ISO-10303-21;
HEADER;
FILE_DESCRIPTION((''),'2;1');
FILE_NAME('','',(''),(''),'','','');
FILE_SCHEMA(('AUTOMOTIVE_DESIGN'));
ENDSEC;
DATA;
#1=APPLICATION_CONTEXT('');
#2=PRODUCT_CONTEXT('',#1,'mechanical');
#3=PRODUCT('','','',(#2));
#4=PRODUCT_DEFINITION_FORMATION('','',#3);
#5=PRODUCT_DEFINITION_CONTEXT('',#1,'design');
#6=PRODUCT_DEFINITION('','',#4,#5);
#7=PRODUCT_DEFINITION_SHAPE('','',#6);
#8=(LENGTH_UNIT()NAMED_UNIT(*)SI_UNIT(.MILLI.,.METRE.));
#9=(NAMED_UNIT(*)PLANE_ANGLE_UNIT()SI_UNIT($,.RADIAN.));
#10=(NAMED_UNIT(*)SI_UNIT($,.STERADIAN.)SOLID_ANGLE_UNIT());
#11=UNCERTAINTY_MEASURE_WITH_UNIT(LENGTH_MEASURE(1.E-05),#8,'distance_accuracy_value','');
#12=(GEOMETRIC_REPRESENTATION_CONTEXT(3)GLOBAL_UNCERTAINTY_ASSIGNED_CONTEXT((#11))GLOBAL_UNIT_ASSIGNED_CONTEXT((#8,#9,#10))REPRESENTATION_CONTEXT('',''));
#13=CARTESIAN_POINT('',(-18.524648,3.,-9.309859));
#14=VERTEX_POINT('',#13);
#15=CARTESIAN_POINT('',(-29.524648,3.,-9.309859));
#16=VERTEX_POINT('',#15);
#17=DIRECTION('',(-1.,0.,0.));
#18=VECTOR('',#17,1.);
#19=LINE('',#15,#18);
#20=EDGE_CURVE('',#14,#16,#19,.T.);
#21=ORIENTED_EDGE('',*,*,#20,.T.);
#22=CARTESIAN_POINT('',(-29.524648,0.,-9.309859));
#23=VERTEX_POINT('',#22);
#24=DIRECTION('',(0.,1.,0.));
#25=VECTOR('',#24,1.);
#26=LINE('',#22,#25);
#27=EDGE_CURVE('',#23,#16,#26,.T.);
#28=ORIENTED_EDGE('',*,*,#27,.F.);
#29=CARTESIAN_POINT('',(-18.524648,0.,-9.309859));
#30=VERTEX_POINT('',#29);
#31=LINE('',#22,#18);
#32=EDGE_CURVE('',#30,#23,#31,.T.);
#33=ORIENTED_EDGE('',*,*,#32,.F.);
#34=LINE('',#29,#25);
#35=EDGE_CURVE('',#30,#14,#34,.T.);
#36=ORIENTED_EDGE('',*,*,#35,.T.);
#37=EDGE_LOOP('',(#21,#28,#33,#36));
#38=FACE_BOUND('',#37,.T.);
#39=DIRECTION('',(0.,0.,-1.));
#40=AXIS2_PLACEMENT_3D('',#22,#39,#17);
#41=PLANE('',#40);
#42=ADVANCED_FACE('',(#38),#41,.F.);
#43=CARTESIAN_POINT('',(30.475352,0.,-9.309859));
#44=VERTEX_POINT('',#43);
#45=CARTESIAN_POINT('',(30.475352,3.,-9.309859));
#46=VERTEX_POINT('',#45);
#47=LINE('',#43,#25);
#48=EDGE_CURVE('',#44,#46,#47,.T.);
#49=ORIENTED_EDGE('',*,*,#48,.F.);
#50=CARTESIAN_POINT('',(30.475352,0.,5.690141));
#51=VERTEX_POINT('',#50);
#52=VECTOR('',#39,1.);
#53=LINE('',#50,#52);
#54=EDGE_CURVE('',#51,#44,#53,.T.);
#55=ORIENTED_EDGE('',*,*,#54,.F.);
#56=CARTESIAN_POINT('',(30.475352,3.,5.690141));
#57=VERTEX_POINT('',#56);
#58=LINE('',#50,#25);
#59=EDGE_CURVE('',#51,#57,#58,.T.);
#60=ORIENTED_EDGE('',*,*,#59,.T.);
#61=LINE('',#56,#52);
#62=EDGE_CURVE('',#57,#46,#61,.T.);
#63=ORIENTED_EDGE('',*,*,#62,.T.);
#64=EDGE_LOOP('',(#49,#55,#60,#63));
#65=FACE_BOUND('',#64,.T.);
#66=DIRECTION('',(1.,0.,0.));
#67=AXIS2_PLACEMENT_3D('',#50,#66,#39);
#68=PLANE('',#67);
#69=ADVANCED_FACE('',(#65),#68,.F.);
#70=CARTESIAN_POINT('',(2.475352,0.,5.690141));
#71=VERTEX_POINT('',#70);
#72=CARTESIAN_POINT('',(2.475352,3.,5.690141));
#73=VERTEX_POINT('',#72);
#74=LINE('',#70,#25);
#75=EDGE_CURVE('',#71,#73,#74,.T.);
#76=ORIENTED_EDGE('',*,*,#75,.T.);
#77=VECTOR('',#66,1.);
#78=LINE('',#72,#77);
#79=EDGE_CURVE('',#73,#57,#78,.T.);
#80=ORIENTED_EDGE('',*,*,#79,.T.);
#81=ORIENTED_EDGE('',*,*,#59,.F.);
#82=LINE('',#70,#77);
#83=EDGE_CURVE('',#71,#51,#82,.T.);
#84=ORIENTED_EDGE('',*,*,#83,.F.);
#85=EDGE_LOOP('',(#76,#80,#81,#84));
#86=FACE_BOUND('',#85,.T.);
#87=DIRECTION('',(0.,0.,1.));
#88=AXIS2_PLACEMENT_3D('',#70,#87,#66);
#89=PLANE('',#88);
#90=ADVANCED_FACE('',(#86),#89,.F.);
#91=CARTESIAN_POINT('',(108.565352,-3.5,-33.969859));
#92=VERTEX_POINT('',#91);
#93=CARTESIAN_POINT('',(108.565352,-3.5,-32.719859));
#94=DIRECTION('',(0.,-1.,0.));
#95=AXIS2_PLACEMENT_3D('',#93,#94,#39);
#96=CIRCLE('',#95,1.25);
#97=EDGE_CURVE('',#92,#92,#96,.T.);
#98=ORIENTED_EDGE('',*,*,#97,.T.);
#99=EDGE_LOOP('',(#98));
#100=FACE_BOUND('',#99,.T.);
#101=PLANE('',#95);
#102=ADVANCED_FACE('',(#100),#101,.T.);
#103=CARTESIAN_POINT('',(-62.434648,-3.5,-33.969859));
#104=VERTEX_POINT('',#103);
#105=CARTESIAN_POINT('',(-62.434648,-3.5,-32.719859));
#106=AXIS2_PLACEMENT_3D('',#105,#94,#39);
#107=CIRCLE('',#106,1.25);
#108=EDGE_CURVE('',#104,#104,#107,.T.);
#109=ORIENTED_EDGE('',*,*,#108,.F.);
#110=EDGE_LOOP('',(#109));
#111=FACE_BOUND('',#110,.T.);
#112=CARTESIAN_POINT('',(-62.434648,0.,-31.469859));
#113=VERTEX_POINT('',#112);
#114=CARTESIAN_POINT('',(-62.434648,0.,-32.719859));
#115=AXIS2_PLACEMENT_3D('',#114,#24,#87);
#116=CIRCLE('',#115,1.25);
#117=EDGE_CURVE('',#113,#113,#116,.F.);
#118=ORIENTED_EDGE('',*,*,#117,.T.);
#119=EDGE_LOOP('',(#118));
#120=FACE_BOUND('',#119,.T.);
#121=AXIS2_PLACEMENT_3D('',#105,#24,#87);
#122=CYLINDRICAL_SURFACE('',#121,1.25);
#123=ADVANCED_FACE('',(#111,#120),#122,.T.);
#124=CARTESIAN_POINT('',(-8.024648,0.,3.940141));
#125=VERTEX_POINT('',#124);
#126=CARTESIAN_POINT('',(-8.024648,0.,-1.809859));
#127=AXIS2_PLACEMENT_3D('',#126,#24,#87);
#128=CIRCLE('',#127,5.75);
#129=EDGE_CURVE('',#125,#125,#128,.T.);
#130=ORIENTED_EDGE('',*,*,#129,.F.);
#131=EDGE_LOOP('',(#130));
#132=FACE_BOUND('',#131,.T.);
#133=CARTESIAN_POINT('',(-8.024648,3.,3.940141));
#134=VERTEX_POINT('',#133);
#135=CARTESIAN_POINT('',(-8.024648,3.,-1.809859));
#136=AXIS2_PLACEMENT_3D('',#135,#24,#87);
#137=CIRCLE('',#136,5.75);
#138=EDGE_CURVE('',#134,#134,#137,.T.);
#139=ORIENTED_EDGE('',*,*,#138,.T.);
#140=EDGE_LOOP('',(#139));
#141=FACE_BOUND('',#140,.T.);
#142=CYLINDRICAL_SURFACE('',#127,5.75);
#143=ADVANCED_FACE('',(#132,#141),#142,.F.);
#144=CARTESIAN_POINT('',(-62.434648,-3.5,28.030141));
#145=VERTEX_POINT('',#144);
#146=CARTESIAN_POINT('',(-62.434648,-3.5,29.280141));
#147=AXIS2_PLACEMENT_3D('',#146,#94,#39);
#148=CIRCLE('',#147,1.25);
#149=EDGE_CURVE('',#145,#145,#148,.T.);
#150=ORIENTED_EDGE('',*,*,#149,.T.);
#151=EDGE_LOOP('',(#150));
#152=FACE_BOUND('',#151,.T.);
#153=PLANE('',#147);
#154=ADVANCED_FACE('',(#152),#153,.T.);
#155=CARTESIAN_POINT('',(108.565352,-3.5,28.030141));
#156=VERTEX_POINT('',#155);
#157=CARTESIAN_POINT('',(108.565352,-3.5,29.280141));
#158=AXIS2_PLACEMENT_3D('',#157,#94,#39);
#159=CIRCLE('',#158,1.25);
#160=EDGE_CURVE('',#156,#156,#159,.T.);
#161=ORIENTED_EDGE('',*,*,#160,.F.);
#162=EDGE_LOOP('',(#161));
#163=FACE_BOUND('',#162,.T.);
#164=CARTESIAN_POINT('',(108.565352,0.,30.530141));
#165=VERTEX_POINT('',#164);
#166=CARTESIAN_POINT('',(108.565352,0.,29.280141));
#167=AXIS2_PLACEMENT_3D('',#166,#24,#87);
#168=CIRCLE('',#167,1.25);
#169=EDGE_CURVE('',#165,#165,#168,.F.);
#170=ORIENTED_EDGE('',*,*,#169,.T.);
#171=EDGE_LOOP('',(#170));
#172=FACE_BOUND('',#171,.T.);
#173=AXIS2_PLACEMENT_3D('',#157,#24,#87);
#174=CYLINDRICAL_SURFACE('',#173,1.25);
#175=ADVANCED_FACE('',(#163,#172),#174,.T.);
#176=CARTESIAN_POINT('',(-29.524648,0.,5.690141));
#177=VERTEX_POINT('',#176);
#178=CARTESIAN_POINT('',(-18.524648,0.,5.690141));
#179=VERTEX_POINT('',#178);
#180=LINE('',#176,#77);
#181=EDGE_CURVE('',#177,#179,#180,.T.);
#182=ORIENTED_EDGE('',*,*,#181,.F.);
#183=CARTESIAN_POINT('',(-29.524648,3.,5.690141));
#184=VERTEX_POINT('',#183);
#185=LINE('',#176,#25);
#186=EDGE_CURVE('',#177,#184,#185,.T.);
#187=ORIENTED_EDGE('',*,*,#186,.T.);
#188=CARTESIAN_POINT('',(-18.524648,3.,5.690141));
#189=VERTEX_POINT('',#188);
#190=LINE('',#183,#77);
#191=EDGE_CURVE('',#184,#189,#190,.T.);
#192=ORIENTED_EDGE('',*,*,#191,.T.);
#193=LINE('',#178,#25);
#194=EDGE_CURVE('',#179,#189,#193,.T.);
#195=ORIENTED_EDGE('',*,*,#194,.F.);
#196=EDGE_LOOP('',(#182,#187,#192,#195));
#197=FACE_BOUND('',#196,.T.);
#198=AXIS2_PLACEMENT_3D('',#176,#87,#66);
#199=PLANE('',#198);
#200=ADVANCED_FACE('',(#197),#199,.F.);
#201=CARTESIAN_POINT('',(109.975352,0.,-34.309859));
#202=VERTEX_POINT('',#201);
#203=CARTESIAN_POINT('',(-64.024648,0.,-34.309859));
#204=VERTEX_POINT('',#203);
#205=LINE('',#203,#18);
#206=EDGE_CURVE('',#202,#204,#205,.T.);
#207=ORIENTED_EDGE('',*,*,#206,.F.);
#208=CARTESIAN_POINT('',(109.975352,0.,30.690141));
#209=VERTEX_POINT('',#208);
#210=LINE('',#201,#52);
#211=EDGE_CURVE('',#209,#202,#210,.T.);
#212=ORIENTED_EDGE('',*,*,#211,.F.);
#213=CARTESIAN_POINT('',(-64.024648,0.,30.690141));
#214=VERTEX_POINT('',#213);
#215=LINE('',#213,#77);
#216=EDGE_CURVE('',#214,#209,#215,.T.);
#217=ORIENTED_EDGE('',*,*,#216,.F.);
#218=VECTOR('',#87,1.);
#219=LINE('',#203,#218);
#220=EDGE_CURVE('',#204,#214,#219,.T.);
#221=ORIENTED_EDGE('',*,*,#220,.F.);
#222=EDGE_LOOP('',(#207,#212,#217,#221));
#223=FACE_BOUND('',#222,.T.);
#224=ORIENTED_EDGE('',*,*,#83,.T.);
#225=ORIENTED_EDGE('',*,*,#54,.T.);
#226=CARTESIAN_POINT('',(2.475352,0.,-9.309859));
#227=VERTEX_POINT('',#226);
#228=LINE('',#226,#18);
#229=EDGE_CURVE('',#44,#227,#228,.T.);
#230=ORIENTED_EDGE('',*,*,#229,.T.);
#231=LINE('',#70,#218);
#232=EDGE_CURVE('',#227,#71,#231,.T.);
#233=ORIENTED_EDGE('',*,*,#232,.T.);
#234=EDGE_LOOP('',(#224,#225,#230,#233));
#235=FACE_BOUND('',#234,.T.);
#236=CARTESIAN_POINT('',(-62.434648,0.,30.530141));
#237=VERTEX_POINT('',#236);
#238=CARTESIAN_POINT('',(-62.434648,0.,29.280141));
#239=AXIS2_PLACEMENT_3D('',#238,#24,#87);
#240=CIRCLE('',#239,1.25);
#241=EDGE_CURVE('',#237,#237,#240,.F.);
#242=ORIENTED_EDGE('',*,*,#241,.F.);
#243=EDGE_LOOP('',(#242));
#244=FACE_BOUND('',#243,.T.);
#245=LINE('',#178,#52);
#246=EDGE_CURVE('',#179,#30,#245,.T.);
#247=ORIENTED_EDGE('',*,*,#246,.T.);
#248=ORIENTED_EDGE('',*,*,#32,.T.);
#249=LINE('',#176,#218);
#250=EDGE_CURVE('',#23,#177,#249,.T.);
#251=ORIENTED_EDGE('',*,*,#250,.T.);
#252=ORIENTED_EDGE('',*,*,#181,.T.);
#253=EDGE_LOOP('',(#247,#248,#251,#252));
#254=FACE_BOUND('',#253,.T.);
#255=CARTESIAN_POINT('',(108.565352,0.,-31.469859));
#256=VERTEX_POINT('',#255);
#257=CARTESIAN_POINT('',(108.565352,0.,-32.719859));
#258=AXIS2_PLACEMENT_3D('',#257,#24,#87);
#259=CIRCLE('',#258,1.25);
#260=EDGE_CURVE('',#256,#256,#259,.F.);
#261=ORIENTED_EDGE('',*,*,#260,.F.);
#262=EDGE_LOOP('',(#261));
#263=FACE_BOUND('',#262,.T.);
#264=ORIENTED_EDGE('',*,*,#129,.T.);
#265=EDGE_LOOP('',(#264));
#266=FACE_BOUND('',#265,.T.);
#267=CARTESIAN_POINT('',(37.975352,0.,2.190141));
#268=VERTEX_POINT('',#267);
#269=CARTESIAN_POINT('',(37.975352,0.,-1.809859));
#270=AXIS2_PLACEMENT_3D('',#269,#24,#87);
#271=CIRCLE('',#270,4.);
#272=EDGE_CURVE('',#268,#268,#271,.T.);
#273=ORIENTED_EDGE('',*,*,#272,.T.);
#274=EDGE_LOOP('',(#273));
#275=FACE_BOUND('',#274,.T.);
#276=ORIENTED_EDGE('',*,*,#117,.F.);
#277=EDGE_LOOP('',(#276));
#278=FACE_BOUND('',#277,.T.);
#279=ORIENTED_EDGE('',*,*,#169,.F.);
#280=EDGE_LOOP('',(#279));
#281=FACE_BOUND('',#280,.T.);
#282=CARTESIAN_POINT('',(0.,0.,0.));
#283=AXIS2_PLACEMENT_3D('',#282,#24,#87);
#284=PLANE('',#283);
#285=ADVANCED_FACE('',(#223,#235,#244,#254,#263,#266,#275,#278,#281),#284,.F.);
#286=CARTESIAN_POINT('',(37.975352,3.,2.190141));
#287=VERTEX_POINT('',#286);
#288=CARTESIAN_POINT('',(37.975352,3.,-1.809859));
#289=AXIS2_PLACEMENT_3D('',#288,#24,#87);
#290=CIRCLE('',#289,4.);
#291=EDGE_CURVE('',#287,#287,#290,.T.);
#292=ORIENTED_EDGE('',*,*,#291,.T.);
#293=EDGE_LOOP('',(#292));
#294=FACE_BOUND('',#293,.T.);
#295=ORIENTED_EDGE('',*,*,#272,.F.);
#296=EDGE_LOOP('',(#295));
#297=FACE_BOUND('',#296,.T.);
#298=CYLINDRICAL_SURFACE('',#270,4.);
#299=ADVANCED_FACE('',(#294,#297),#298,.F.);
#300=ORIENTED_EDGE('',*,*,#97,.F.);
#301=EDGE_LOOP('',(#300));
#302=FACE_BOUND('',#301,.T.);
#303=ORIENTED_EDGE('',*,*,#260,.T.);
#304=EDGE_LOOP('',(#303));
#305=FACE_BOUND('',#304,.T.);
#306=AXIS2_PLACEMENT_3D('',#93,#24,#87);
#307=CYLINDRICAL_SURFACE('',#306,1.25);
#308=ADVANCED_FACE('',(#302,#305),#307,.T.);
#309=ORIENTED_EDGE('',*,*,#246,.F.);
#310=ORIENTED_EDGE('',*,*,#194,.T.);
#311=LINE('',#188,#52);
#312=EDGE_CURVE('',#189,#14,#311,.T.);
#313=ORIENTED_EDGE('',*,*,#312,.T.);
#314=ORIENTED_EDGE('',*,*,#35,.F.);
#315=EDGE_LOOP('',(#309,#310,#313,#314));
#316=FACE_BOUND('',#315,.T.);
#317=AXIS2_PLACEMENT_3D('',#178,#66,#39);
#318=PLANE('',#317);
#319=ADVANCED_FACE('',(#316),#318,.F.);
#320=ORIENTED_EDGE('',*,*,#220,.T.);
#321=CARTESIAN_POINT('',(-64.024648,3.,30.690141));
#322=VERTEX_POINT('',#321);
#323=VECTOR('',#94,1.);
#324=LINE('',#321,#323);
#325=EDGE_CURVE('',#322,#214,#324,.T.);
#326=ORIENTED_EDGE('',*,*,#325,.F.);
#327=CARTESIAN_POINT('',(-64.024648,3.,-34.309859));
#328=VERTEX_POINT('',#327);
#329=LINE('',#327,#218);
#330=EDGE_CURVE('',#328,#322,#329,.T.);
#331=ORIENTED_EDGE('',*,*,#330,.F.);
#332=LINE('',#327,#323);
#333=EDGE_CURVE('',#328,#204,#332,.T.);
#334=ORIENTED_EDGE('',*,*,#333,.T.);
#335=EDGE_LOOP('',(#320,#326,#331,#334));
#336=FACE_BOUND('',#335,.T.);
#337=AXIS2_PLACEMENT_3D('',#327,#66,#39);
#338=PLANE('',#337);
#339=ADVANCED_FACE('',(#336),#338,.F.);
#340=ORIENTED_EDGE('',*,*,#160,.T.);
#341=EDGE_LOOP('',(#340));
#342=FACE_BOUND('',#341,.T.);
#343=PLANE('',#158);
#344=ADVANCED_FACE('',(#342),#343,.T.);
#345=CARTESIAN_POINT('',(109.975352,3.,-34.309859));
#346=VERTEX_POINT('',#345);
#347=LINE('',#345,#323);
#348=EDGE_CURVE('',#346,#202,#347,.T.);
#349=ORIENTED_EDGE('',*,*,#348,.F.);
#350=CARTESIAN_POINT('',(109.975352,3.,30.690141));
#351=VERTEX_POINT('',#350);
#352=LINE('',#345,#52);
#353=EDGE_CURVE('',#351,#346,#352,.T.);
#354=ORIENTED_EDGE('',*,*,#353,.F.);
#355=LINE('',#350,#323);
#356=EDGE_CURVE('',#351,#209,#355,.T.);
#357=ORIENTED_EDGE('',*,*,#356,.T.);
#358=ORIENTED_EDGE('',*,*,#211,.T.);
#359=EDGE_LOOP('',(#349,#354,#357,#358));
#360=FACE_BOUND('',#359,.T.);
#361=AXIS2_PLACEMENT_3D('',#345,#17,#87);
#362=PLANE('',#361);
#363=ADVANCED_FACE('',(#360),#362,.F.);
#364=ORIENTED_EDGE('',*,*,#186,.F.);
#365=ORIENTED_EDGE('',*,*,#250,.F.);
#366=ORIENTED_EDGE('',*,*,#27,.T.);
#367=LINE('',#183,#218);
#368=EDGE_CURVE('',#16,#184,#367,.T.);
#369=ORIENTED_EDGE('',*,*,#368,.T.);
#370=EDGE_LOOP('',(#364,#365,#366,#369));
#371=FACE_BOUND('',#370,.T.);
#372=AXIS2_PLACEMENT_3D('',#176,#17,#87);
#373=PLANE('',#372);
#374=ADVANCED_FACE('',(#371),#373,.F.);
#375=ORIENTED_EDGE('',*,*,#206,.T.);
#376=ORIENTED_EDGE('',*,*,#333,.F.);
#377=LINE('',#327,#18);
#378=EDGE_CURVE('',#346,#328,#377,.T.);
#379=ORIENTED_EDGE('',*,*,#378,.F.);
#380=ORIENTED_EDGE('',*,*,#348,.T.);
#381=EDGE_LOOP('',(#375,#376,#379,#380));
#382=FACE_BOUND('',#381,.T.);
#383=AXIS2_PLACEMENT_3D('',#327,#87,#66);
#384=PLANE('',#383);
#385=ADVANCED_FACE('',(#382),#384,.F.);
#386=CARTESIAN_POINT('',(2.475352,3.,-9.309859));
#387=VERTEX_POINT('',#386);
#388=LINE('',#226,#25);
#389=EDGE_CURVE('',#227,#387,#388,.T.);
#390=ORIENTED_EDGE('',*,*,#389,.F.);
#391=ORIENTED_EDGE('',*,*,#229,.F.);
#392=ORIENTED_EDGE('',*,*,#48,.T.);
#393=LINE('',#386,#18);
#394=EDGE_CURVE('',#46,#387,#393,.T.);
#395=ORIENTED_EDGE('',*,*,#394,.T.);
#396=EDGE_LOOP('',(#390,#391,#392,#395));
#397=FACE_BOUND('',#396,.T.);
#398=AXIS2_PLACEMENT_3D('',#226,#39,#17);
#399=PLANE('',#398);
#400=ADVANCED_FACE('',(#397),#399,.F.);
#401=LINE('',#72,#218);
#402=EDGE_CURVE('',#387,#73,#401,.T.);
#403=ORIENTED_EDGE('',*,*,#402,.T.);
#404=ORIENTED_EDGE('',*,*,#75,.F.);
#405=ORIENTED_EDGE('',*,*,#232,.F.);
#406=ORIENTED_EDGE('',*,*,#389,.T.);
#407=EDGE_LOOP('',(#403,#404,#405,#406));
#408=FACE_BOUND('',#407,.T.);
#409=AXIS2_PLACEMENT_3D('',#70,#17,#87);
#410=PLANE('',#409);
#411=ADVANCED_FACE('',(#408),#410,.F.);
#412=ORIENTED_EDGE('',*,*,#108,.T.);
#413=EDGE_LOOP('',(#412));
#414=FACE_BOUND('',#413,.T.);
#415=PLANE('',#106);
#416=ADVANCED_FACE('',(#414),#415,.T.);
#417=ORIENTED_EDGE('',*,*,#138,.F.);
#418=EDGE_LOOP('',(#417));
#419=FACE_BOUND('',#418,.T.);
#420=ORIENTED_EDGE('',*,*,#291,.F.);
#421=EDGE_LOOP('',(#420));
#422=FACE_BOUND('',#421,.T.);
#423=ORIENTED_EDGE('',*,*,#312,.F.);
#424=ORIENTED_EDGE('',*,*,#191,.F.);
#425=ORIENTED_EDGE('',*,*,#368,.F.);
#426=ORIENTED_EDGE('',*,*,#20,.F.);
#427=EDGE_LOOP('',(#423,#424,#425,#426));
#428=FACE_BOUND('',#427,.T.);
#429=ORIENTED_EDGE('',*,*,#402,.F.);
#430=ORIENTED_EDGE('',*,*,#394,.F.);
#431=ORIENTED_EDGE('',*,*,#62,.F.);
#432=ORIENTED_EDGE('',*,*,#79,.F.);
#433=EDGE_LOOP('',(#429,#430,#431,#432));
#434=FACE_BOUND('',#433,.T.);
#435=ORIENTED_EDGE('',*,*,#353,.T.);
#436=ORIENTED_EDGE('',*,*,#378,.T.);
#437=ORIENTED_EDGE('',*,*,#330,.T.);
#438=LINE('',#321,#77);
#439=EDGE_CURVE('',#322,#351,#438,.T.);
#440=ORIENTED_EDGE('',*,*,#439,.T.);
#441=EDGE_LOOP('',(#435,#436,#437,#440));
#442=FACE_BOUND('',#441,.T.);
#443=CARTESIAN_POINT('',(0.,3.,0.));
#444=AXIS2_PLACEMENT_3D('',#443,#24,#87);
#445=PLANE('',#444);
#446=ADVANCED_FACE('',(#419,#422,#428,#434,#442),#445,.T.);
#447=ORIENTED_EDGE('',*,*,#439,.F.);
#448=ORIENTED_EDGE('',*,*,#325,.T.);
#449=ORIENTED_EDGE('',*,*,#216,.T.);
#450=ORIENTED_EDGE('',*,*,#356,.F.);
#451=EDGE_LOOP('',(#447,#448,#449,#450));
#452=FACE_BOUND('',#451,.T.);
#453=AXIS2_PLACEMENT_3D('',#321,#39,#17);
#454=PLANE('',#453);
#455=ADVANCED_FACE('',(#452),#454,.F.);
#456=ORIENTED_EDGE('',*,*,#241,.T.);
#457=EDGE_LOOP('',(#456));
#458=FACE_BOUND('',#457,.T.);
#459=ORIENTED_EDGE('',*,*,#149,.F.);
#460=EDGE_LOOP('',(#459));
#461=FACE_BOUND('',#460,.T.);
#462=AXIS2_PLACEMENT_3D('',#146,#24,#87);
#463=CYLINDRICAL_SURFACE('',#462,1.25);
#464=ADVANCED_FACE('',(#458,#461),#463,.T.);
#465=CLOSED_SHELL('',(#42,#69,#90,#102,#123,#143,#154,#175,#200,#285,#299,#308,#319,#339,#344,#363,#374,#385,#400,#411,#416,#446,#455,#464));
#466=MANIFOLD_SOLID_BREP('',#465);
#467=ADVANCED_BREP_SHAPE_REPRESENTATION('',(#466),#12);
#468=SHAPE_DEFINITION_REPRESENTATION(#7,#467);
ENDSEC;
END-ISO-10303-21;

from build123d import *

# Parameters (mm, degrees)
SKETCH1_W            = 174
SKETCH1_H            = 65
BOSS_EXTRUDE1_DEPTH  = 3
SKETCH2_R            = 4
SKETCH2_R_2          = 5.75
SKETCH2_W            = 28
SKETCH2_H            = 15
SKETCH2_W_2          = 11
CUT_EXTRUDE1_DEPTH   = 3
SKETCH3_R            = 1.25
BOSS_EXTRUDE2_DEPTH  = 3.5
LPATTERN1_COUNT      = 2
LPATTERN1_PITCH      = 171
LPATTERN1_COUNT_DIR2 = 2
LPATTERN1_PITCH_DIR2 = 62


with BuildPart() as part:
    # Sketch1 → Boss-Extrude1 (new body)
    with BuildSketch(Plane(origin=(0, 0, 0), x_dir=(1, 0, 0), z_dir=(0, 1, 0))):
        with Locations((22.975352113, 1.809859155)):
            Rectangle(SKETCH1_W, SKETCH1_H)
    extrude(amount=BOSS_EXTRUDE1_DEPTH)

    # Sketch2 → Cut-Extrude1 (cut)
    with BuildSketch(Plane(origin=(0, 3, 0), x_dir=(1, 0, 0), z_dir=(0, 1, 0))):
        with Locations(Location((37.975352113, 1.809859155, 0), (0, 0, 270))):
            Circle(SKETCH2_R)
        with Locations(Location((-8.024647887, 1.809859155, 0), (0, 0, 270))):
            Circle(SKETCH2_R_2)
        with Locations((16.475352113, 1.809859155)):
            Rectangle(SKETCH2_W, SKETCH2_H)
        with Locations((-24.024647887, 1.809859155)):
            Rectangle(SKETCH2_W_2, SKETCH2_H)
    extrude(amount=-CUT_EXTRUDE1_DEPTH, mode=Mode.SUBTRACT)

    # Sketch3 → Boss-Extrude2 (add)
    with BuildSketch(Plane.XZ):
        with Locations(Location((-62.434647887, -32.719859155, 0), (0, 0, 90))):
            Circle(SKETCH3_R)
    boss_extrude2 = extrude(amount=BOSS_EXTRUDE2_DEPTH)

    # LPattern1: Boss-Extrude2 2 × 2
    with Locations(*[(i * LPATTERN1_PITCH, 0, j * LPATTERN1_PITCH_DIR2) for i in range(LPATTERN1_COUNT) for j in range(LPATTERN1_COUNT_DIR2) if (i, j) != (0, 0)]):
        add(boss_extrude2)


solid = part.part
